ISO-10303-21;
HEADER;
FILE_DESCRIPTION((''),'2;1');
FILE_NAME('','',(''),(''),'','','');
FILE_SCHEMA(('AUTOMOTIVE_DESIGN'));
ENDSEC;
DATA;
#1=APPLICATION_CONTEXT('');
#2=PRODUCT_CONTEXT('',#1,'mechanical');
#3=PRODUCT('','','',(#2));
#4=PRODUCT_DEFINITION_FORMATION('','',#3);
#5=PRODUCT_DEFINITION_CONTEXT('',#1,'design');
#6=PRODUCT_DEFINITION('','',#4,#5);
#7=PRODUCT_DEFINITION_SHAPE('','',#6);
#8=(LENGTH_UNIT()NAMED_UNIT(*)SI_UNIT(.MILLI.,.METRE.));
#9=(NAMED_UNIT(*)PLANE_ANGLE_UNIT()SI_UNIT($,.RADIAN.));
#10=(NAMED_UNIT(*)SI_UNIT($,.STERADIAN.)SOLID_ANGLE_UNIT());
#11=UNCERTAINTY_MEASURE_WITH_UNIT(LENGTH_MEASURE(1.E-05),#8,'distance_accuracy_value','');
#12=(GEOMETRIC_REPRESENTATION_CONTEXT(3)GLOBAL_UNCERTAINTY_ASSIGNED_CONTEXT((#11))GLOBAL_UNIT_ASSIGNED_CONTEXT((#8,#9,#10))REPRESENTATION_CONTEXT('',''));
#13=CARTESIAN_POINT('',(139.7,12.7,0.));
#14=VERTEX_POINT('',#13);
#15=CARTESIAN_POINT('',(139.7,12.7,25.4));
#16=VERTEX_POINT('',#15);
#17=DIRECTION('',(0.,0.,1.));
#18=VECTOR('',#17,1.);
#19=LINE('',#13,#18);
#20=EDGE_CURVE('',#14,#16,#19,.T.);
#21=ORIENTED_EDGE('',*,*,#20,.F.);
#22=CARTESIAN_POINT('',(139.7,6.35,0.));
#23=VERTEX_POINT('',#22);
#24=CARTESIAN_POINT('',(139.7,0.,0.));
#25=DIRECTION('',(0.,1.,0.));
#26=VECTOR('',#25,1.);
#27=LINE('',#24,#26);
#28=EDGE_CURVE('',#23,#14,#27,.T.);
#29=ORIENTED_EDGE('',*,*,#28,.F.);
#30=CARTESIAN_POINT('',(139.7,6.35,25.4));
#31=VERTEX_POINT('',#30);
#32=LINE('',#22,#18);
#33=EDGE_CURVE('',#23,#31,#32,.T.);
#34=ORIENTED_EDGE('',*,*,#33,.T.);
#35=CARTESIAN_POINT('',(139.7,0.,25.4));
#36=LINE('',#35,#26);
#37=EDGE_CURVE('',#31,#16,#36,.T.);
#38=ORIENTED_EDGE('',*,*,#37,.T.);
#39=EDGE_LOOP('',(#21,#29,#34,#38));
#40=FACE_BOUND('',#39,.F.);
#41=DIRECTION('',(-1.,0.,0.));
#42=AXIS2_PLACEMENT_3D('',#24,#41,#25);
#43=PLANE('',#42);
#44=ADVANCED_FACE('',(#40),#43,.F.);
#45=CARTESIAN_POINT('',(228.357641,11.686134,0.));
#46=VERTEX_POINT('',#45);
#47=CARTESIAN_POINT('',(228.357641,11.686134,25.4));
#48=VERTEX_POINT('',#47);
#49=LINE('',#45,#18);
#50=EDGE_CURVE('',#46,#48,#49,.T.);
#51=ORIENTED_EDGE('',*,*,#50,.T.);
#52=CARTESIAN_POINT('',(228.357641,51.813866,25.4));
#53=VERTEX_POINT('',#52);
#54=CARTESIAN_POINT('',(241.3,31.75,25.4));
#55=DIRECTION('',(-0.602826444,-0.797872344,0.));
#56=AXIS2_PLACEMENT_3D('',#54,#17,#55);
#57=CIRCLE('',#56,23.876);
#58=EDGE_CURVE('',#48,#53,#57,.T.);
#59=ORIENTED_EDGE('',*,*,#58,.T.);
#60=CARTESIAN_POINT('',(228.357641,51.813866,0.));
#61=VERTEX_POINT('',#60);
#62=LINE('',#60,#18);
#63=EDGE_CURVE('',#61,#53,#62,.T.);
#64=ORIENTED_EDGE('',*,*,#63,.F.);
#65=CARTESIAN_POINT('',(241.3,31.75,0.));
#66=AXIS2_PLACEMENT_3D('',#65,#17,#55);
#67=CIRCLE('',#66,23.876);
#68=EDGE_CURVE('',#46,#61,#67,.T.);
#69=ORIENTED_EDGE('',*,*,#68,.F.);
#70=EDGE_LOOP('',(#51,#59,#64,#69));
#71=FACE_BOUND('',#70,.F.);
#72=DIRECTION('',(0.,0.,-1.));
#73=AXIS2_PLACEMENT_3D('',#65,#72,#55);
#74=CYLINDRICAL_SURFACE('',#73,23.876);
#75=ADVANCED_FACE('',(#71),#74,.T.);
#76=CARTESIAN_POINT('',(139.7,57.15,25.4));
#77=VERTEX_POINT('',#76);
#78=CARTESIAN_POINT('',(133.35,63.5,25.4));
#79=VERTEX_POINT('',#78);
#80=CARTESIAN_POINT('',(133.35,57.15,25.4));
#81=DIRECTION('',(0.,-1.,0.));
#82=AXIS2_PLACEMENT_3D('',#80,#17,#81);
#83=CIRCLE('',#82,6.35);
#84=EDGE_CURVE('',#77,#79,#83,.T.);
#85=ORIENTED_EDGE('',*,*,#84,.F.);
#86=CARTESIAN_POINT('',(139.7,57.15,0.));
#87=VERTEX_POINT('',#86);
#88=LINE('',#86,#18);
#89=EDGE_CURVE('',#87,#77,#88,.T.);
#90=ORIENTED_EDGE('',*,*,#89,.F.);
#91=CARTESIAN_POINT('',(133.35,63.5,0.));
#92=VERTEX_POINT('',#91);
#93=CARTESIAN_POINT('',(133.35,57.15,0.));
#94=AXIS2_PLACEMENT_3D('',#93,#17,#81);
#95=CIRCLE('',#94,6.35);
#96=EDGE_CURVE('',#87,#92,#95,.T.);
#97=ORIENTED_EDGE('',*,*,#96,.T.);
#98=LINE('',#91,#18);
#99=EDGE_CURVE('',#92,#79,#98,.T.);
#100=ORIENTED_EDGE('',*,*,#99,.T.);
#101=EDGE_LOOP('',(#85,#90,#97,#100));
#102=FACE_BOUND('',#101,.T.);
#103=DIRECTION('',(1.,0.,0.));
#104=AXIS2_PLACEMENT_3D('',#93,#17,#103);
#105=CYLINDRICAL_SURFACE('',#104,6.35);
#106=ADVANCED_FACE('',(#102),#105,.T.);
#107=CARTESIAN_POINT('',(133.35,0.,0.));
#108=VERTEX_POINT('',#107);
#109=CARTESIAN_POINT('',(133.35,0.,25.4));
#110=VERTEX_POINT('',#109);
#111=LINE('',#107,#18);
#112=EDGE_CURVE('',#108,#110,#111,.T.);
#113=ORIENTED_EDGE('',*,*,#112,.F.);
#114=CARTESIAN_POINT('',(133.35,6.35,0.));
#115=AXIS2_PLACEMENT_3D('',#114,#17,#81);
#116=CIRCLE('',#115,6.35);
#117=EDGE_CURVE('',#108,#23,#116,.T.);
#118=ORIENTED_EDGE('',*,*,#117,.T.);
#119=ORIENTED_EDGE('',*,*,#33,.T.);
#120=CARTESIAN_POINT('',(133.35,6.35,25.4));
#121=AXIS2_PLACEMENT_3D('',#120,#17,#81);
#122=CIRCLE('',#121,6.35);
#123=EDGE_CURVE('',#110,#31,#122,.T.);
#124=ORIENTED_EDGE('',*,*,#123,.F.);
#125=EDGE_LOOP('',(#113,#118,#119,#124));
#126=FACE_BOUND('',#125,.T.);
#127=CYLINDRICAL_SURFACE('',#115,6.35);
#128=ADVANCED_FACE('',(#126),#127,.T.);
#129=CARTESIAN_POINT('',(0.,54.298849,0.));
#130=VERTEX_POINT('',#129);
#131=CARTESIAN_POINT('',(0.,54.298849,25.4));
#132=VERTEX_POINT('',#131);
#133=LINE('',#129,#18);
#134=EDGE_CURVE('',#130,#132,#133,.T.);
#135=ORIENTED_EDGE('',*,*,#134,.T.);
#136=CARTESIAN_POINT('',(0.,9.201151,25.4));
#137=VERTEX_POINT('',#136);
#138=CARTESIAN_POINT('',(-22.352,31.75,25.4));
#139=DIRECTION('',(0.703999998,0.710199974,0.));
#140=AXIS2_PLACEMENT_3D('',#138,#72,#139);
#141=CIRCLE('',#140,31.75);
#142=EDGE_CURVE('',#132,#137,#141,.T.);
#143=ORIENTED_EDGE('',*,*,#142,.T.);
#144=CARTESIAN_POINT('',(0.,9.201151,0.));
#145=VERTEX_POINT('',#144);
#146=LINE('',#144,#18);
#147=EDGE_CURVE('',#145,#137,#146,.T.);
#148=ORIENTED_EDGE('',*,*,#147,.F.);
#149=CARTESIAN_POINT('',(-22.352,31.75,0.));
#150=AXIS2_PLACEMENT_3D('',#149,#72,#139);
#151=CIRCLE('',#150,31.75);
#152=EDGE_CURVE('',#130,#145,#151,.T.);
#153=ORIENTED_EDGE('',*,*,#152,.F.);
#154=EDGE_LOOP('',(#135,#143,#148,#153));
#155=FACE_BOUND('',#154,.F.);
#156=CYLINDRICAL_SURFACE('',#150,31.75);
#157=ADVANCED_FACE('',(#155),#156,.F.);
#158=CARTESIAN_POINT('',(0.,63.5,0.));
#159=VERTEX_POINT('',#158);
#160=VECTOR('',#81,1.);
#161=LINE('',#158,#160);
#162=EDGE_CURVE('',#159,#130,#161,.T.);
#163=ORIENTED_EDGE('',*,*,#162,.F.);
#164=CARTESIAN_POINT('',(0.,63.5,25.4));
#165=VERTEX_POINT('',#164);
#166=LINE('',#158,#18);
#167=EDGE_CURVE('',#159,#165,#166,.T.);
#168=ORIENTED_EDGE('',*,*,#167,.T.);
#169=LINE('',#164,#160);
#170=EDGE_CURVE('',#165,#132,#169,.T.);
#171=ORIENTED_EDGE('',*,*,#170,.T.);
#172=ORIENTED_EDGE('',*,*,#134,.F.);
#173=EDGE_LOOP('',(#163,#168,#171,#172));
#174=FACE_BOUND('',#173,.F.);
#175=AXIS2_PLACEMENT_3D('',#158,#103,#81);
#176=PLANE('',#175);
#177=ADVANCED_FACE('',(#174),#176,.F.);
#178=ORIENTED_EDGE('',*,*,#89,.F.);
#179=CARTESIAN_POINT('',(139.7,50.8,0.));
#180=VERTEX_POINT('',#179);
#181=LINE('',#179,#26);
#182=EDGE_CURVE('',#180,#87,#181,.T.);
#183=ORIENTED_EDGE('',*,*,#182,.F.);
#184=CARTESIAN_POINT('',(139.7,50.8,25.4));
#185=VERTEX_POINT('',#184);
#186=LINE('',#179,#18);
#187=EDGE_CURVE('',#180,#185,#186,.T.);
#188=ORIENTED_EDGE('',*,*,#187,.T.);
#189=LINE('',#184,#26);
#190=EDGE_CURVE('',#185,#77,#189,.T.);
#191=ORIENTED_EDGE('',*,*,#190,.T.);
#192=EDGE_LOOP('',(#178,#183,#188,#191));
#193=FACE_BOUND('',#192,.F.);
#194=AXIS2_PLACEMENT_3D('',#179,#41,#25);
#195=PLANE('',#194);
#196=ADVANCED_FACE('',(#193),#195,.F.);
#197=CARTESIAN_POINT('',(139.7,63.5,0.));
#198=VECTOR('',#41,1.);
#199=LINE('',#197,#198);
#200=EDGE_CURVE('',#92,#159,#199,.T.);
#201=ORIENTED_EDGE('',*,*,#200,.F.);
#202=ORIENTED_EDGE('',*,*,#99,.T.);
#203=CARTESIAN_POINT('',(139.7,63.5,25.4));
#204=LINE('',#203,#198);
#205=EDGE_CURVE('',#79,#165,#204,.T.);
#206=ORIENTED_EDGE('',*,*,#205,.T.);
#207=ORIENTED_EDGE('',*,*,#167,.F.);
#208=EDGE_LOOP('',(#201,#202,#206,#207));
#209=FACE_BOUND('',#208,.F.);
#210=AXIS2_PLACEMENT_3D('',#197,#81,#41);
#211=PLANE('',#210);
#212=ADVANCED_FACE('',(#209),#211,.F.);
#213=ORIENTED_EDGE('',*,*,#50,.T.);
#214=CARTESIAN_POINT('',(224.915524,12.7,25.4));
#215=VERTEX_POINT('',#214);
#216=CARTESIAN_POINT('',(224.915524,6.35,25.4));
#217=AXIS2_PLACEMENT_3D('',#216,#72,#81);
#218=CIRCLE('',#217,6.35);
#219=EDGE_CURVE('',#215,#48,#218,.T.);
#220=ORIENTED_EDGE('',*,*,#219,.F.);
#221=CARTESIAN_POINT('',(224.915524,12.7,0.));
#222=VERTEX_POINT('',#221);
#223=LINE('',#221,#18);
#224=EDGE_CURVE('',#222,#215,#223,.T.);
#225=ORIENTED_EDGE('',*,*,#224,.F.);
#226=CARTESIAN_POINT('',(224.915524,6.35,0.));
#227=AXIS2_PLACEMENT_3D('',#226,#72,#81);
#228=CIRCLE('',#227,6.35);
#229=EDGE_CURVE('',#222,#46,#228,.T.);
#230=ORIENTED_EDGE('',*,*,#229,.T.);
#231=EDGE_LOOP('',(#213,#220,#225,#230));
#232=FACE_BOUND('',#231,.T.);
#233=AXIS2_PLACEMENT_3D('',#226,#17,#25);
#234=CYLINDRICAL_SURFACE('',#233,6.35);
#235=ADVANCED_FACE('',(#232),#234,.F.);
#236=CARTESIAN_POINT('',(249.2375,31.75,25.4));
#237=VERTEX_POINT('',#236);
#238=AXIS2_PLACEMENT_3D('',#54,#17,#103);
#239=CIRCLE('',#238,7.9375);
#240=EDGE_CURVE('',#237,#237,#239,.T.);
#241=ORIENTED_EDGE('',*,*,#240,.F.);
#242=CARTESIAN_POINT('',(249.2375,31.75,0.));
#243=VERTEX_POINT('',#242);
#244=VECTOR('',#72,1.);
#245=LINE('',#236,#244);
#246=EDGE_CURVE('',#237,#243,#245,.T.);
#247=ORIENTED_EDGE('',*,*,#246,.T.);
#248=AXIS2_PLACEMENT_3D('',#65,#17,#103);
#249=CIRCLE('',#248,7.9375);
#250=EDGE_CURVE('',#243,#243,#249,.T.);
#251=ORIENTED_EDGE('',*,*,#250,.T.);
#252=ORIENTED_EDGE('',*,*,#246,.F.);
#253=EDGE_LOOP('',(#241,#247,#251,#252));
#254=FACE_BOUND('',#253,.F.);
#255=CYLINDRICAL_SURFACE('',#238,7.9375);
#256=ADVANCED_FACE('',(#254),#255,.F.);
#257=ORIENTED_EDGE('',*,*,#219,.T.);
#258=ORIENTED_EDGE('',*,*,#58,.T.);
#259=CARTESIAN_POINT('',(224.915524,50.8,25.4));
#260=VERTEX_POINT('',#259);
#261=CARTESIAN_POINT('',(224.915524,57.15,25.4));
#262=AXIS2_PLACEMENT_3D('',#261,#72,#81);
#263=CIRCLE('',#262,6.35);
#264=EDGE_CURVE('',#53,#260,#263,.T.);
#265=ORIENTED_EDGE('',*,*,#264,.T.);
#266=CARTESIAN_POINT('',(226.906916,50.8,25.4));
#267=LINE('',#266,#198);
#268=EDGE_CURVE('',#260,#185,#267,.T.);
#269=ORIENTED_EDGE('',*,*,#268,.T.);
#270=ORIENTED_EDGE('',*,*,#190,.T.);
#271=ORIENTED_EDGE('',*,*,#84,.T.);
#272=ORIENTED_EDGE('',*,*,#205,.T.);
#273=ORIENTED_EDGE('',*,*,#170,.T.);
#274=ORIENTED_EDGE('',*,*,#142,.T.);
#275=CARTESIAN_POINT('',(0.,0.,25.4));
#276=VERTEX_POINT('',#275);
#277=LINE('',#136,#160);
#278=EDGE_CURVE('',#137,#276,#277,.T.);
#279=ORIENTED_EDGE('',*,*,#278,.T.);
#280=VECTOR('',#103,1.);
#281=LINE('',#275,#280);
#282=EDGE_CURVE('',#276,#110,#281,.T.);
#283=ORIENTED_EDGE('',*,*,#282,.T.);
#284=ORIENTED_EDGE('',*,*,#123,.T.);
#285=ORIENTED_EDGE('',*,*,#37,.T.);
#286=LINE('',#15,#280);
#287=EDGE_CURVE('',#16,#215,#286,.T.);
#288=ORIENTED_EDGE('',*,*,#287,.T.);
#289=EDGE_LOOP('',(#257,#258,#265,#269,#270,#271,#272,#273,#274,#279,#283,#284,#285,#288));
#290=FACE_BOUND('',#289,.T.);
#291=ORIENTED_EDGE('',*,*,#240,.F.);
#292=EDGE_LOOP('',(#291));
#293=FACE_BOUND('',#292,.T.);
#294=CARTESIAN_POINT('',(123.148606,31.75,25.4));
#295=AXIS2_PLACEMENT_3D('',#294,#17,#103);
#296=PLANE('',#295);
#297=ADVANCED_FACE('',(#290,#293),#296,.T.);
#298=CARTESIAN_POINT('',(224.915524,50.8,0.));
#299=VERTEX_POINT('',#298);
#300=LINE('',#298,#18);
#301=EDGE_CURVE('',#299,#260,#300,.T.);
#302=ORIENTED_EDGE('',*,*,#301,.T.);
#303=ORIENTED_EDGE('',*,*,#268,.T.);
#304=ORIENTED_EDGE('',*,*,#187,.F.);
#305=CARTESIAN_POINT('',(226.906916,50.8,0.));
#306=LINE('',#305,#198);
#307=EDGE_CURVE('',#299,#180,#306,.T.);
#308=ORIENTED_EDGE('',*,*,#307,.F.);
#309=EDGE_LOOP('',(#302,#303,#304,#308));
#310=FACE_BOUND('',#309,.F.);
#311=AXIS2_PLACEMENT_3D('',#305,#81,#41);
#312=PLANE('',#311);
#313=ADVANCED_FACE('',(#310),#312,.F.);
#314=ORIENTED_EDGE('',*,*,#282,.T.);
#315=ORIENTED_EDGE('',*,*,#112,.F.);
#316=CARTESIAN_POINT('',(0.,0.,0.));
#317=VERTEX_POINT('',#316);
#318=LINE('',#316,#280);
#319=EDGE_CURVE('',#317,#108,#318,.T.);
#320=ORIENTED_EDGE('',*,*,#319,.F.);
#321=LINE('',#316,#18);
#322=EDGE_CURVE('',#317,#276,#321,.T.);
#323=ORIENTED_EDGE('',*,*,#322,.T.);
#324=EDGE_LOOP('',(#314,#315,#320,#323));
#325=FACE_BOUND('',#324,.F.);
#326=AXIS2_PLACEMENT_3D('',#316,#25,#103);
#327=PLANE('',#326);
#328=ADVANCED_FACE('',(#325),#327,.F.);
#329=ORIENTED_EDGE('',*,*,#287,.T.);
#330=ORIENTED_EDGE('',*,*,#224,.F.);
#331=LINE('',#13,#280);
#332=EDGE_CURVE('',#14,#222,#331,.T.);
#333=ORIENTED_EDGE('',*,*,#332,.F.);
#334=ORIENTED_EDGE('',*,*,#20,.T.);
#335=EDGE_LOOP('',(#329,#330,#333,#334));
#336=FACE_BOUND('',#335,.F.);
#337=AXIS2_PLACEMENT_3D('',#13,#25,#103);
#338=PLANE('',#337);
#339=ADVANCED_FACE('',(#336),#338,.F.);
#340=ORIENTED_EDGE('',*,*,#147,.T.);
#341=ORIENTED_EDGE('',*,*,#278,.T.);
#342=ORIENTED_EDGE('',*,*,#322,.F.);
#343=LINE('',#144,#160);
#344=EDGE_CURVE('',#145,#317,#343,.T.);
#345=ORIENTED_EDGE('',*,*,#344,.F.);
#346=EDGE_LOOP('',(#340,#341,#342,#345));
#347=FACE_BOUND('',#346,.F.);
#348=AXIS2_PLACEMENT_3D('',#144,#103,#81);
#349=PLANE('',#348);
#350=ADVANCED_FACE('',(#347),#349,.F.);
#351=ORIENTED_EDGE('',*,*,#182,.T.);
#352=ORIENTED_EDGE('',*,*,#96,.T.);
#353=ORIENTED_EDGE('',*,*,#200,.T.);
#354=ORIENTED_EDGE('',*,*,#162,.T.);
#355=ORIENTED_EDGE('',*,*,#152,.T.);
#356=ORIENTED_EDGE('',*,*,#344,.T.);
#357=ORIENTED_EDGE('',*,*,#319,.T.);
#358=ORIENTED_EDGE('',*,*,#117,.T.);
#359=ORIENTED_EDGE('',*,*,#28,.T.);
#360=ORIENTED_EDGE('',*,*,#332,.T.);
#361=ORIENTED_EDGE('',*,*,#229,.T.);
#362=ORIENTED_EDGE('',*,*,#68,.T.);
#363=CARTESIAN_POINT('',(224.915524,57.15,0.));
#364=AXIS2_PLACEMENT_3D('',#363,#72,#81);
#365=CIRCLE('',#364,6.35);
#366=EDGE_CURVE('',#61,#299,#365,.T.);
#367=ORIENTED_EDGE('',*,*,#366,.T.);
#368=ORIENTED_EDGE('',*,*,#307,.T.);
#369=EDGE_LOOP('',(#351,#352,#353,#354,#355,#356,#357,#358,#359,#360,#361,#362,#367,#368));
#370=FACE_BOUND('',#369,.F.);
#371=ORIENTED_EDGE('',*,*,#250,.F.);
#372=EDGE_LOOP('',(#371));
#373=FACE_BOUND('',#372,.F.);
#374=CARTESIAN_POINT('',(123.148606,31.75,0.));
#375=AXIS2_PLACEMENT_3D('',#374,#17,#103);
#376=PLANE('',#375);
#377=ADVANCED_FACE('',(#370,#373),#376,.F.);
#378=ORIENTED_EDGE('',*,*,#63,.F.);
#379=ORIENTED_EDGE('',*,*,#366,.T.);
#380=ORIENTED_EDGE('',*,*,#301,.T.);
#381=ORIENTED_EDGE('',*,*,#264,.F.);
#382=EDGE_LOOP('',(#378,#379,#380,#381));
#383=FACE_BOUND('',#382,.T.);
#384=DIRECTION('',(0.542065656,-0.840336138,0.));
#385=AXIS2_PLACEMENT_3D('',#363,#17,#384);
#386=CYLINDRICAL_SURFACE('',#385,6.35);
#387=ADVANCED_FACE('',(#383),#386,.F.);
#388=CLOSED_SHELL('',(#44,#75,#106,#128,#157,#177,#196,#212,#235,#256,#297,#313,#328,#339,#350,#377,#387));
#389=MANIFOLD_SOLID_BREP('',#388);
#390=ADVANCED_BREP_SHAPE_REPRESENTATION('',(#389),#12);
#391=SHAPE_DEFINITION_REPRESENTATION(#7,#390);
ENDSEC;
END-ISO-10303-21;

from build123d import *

# Parameters (mm, degrees)
F1_DEPTH = 25.4
F2_R     = 6.35
F3_R     = 7.9375
F4_DEPTH = 25.401


with BuildPart() as f1:
    # F0 (on Top) → F1 (new body)
    with BuildSketch(Plane.XY):
        with BuildLine():
            Line((0, 9.201151), (0, 0))
            Line((0, 0), (139.7, 0))
            Line((139.7, 0), (139.7, 12.7))
            Line((139.7, 12.7), (226.906916, 12.7))
            ThreePointArc((226.906916, 12.7), (265.176, 31.75), (226.906916, 50.8))
            Line((226.906916, 50.8), (139.7, 50.8))
            Line((139.7, 50.8), (139.7, 63.5))
            Line((139.7, 63.5), (0, 63.5))
            Line((0, 63.5), (0, 54.298849))
            ThreePointArc((0, 54.298849), (9.398, 31.75), (0, 9.201151))
        make_face()
    extrude(amount=F1_DEPTH)

    # F2
    f2_edges = [f1.edges().sort_by_distance(p)[0] for p in [
        (139.7, 0, 12.7),
        (139.7, 63.5, 12.7),
        (226.906916, 12.7, 12.7),
        (226.906916, 50.8, 12.7),
    ]]
    fillet(f2_edges, radius=F2_R)

    # F3 (on face) → F4 (cut, through all)
    with BuildSketch(Plane.XY.offset(25.4)):
        with Locations((241.3, 31.75)):
            Circle(F3_R)
    extrude(amount=-F4_DEPTH, mode=Mode.SUBTRACT)


solid = f1.part
